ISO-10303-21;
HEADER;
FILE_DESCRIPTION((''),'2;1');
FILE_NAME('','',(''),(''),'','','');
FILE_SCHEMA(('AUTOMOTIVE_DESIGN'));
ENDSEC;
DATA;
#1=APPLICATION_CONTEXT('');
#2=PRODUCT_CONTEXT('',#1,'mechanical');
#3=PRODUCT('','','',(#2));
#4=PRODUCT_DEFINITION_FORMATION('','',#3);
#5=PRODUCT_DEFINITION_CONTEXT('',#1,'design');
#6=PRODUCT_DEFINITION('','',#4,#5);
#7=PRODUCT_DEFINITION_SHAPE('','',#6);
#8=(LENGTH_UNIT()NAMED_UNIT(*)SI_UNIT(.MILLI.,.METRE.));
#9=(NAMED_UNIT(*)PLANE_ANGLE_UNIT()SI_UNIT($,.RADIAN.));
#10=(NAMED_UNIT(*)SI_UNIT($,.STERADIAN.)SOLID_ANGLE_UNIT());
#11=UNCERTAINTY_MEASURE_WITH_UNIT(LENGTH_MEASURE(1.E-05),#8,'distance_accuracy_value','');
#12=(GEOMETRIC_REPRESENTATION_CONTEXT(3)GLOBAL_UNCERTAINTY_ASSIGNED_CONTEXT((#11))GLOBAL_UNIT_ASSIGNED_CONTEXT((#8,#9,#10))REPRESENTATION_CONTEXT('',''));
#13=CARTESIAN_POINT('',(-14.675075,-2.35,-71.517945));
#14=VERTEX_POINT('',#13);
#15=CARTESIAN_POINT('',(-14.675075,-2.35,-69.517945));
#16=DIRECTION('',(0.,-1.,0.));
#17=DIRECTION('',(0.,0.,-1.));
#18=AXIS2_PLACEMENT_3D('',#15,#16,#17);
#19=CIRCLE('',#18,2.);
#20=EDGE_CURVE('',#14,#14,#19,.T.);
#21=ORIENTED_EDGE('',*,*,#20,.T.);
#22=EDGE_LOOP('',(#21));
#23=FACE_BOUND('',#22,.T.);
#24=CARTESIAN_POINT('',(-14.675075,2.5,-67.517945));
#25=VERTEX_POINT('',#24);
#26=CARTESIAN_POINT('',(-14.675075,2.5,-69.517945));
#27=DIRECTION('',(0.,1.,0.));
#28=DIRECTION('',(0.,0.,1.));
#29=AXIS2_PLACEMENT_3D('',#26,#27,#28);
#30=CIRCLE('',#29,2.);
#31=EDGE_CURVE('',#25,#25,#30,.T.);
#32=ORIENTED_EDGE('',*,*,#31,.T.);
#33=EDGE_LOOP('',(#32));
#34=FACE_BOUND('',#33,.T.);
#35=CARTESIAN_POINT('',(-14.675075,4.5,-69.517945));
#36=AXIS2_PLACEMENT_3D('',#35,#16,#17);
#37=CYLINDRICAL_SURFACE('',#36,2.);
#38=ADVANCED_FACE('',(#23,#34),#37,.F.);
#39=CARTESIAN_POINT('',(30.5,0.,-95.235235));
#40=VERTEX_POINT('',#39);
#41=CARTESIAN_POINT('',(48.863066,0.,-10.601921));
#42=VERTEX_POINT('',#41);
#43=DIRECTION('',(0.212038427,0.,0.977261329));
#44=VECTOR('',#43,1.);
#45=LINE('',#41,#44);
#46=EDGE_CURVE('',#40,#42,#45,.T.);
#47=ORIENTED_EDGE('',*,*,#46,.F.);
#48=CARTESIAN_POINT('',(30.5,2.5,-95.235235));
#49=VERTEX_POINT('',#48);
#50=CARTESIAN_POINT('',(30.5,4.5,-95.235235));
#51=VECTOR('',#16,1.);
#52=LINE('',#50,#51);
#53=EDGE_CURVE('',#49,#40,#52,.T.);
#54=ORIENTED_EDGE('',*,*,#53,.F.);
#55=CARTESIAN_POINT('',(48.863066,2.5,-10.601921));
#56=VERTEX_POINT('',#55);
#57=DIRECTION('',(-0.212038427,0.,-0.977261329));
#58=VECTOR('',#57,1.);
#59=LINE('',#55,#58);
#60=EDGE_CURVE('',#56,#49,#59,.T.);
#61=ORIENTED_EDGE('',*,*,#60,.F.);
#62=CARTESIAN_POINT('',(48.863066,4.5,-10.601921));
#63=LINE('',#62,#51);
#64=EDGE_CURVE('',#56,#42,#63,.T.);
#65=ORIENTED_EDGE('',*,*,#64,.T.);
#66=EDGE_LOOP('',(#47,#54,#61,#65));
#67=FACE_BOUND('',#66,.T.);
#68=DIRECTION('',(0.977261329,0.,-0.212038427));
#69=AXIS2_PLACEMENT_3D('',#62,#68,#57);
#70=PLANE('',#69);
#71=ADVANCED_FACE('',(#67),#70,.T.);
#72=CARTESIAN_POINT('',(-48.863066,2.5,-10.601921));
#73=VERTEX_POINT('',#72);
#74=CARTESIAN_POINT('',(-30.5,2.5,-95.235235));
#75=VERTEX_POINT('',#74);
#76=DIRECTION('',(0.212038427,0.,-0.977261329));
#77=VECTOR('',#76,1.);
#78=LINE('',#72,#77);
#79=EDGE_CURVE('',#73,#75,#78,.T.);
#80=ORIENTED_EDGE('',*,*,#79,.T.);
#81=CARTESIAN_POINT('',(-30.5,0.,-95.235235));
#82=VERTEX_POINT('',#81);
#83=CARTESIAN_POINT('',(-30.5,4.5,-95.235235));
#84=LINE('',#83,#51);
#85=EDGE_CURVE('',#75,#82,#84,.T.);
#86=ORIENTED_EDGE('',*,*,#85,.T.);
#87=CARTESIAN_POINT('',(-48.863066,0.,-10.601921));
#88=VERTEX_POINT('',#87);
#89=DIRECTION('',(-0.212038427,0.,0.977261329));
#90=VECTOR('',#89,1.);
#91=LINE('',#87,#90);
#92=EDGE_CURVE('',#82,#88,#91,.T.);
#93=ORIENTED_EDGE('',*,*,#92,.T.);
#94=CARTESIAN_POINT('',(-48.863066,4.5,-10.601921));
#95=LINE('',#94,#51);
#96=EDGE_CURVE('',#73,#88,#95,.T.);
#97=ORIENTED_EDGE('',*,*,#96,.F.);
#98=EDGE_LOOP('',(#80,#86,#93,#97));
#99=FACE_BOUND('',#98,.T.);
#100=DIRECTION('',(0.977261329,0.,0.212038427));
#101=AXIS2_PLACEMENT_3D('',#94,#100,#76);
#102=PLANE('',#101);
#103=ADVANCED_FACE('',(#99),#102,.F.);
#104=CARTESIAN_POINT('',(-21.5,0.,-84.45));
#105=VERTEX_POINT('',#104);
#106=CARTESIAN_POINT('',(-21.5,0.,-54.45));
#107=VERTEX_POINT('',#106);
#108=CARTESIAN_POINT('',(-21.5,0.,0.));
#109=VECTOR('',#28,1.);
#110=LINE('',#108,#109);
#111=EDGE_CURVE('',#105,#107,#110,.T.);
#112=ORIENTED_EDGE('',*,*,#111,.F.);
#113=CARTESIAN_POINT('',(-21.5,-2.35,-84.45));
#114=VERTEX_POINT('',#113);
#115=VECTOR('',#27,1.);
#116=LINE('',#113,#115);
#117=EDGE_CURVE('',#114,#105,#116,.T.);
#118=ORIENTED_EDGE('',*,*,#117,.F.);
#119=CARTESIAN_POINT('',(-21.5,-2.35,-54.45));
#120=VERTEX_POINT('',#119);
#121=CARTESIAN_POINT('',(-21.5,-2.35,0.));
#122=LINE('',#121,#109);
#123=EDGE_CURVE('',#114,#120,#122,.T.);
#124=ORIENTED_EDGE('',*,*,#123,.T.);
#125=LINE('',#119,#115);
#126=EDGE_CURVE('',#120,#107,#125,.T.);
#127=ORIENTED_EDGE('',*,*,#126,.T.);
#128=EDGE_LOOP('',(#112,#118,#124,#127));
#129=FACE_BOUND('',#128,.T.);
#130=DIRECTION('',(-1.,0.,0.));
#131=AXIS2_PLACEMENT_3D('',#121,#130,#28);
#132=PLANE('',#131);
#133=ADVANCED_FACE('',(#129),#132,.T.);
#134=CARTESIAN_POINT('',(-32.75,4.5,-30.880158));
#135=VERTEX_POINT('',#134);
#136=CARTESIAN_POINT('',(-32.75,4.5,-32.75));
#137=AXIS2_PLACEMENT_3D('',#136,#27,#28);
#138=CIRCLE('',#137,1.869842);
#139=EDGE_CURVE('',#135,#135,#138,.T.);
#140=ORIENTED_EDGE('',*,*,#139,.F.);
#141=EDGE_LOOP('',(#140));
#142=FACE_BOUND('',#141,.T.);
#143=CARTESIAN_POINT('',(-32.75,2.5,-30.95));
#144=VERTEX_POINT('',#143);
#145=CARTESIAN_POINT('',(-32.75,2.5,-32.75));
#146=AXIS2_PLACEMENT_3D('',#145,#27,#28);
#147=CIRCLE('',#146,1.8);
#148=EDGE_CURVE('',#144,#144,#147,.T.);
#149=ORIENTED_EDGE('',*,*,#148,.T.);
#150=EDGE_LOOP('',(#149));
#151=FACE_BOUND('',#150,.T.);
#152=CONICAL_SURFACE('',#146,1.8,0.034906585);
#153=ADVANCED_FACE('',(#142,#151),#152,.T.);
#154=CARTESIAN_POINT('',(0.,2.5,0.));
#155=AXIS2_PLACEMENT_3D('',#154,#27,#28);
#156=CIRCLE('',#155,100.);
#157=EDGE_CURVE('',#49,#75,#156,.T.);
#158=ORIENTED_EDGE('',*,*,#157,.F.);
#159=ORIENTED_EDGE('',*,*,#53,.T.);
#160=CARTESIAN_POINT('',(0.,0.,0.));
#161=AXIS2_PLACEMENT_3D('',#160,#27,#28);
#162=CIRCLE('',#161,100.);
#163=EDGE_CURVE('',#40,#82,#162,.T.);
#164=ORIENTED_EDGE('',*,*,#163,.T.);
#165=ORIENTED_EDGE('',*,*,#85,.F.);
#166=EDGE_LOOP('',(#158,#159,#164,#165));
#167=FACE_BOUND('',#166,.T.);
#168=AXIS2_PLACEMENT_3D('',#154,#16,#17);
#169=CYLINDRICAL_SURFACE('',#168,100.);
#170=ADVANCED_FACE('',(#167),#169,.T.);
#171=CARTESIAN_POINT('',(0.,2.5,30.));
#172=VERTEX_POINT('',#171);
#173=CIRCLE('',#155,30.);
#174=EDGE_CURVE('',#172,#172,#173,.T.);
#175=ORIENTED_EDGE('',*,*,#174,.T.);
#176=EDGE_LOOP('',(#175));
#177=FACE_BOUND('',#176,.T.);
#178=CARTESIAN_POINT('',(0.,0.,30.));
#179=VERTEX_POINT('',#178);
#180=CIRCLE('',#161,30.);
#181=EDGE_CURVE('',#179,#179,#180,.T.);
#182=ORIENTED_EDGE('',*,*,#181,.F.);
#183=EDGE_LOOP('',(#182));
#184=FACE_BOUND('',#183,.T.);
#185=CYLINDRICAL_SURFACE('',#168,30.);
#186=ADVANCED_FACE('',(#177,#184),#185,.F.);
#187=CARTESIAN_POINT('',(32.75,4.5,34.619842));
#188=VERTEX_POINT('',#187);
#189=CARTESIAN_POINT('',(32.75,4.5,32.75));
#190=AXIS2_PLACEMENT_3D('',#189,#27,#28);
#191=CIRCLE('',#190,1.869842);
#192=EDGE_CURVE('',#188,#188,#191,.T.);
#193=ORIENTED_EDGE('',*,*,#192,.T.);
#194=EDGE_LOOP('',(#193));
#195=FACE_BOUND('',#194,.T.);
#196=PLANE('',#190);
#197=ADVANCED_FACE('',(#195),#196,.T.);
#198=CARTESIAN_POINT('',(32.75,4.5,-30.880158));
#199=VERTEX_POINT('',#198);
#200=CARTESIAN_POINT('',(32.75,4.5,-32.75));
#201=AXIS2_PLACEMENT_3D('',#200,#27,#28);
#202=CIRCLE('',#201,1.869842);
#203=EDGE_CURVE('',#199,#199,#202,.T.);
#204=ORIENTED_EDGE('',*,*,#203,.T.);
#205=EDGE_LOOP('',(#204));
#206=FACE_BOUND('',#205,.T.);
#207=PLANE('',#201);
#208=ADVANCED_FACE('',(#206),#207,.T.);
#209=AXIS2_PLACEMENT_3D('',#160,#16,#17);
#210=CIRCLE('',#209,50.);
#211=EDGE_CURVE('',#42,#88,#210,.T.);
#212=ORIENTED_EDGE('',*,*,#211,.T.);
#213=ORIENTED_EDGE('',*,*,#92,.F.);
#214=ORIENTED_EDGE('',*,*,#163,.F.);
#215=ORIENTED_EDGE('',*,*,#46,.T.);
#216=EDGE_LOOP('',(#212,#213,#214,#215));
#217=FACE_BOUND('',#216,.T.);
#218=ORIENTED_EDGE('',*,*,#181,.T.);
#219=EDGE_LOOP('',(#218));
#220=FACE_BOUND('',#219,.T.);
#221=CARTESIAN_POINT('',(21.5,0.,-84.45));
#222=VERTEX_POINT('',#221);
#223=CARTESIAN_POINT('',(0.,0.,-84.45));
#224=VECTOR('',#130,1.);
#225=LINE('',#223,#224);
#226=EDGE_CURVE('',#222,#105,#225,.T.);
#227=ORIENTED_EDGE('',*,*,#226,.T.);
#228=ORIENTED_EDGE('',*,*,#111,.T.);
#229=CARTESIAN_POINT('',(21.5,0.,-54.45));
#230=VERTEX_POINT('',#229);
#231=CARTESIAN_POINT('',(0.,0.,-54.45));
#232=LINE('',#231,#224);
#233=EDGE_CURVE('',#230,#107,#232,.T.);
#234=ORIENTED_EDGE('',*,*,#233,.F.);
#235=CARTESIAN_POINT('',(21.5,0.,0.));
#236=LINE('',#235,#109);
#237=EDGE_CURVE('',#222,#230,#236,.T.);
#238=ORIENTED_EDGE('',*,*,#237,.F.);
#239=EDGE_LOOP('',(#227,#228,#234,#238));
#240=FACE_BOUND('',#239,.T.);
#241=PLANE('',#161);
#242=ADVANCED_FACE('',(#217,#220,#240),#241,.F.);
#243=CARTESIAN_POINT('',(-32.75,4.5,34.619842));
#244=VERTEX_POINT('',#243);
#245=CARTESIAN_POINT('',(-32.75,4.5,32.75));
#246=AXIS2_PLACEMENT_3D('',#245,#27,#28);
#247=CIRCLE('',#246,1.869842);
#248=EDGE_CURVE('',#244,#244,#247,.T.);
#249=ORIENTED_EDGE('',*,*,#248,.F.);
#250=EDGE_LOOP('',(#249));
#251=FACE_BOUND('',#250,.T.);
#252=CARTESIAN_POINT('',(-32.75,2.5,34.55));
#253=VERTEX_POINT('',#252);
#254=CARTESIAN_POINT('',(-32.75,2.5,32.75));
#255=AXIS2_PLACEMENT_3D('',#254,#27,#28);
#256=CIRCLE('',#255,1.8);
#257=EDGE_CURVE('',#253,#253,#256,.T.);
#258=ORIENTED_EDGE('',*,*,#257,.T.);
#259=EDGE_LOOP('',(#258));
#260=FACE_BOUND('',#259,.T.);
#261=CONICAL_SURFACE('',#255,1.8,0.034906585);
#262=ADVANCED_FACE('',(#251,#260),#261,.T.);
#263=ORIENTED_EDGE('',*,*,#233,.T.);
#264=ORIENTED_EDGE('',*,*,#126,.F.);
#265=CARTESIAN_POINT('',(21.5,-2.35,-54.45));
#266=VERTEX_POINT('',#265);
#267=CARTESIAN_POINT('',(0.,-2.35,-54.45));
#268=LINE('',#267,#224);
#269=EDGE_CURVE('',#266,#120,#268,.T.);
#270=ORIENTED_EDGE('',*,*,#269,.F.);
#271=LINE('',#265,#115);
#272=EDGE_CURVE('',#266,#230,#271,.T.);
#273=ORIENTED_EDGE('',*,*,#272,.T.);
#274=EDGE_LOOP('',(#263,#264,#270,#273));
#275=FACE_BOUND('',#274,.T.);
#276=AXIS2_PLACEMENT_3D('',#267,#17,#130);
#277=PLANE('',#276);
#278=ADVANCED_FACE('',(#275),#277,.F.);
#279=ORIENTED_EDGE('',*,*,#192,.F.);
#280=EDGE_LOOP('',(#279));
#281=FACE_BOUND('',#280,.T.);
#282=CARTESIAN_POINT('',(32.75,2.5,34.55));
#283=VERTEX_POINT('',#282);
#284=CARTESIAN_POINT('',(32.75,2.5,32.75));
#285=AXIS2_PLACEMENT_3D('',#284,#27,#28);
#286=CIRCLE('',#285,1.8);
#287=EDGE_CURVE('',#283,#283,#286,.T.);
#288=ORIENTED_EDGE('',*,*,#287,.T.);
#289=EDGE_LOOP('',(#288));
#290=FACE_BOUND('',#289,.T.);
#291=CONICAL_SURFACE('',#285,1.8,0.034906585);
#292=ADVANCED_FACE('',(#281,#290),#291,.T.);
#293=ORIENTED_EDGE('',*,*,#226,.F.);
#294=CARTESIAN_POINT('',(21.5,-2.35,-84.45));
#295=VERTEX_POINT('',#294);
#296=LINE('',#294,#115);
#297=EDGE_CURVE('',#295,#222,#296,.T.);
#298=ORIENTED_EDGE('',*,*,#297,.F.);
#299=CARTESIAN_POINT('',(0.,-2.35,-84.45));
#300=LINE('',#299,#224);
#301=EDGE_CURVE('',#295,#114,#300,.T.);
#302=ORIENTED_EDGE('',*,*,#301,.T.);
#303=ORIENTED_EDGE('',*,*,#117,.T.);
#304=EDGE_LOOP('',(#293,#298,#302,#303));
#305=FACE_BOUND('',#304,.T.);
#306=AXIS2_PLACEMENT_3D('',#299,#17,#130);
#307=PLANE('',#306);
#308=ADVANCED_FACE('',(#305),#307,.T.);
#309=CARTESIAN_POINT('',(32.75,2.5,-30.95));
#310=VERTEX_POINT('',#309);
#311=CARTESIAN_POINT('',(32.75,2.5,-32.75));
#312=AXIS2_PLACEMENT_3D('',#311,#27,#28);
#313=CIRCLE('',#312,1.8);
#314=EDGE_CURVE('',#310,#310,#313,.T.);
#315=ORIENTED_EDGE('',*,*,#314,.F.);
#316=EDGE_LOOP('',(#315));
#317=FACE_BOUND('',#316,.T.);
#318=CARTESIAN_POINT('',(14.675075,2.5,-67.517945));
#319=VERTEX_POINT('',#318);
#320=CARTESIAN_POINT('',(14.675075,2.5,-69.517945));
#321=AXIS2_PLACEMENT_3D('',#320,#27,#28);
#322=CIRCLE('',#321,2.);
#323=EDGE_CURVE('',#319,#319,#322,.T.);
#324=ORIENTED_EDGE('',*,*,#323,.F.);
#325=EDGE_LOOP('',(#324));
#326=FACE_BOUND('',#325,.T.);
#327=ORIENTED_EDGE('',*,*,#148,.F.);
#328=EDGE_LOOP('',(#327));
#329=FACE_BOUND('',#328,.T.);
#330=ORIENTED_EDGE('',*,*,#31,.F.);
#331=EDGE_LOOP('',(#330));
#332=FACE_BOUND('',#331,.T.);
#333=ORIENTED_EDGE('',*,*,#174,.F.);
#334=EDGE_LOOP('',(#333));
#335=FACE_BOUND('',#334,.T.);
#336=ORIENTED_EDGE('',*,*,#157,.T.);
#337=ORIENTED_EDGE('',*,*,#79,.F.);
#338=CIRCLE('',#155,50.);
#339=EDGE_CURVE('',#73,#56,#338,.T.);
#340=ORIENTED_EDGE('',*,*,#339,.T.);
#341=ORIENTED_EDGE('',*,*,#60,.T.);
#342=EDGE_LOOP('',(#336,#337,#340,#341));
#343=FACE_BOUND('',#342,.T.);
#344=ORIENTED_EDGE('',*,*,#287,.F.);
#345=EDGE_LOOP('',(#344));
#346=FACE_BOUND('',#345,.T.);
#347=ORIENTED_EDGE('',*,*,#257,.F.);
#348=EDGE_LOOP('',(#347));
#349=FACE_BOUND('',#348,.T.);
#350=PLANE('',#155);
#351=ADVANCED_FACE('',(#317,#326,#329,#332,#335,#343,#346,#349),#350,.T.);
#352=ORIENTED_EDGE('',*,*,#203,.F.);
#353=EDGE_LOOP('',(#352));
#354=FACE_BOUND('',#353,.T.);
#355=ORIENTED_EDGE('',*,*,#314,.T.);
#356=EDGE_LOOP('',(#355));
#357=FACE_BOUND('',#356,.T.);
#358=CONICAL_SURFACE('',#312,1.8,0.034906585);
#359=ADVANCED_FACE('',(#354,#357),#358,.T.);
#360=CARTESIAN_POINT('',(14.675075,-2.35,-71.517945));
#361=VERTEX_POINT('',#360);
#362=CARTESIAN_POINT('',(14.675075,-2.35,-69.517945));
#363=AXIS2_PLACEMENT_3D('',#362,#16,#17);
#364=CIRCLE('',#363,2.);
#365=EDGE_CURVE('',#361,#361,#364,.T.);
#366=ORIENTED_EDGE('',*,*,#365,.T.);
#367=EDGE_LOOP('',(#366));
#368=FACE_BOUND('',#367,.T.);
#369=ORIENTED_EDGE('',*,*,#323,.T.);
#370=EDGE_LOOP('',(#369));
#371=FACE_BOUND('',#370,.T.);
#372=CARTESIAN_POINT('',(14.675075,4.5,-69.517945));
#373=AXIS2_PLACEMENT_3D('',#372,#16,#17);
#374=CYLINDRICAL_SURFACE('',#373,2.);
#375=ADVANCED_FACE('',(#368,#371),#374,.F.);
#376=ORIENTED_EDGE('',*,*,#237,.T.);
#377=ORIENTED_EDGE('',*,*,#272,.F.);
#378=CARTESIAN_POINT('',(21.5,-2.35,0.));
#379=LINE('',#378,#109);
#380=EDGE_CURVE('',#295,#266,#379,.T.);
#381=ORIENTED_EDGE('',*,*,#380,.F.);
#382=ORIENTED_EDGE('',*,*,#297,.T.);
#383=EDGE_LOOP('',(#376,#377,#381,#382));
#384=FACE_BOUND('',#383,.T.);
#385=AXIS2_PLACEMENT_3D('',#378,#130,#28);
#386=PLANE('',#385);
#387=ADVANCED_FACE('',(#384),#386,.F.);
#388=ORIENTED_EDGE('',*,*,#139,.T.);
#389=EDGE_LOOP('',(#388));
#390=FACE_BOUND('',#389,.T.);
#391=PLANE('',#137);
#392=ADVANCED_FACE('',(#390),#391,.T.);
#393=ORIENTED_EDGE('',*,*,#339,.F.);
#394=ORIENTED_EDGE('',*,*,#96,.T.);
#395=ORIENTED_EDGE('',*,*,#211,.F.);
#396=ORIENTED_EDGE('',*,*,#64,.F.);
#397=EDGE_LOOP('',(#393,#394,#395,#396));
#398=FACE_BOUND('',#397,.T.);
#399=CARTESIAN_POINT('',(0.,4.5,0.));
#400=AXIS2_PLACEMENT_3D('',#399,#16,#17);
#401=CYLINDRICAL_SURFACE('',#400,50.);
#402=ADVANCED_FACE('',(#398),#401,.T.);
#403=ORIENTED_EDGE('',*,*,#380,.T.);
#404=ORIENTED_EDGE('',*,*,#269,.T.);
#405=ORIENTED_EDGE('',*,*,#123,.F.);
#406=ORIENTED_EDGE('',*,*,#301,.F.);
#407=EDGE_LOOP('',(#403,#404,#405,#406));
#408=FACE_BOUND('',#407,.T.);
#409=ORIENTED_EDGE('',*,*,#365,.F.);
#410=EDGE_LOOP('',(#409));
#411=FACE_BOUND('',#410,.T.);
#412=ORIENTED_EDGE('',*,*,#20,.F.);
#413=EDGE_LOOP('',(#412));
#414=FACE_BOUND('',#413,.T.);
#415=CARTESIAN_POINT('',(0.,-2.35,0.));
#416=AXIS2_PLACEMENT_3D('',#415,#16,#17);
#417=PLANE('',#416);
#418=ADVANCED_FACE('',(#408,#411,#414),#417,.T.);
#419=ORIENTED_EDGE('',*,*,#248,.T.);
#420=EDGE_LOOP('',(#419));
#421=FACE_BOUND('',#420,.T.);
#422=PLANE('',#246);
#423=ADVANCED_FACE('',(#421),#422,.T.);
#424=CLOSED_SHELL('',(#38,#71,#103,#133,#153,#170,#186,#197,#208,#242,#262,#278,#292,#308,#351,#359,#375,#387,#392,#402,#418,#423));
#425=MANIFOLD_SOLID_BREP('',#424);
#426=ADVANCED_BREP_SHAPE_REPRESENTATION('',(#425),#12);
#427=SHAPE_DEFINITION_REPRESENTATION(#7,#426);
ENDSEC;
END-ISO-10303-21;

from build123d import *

# Parameters (mm, degrees)
SKETCH1_R                     = 100
SKETCH1_R_2                   = 30
BOSS_EXTRUDE1_DEPTH           = 2.5
SKETCH2_R                     = 1.8
BOSS_EXTRUDE2_DEPTH           = 2
BOSS_EXTRUDE2_DRAFT           = -2
BOSS_EXTRUDE2_PROFILE_2_DEPTH = 2
BOSS_EXTRUDE2_PROFILE_2_DRAFT = -2
BOSS_EXTRUDE2_PROFILE_3_DEPTH = 2
BOSS_EXTRUDE2_PROFILE_3_DRAFT = -2
BOSS_EXTRUDE2_PROFILE_4_DEPTH = 2
BOSS_EXTRUDE2_PROFILE_4_DRAFT = -2
SKETCH5_W                     = 43
SKETCH5_H                     = 30
BOSS_EXTRUDE4_DEPTH           = 2.35
CUT_EXTRUDE1_DEPTH            = 142.492932686
CUT_EXTRUDE1_DEPTH_BACK       = 142.492932686
SKETCH4_R                     = 2
CUT_EXTRUDE2_DEPTH            = 142.492932686


with BuildPart() as part:
    # Sketch1 → Boss-Extrude1 (new body)
    with BuildSketch(Plane(origin=(0, 0, 0), x_dir=(1, 0, 0), z_dir=(0, 1, 0))):
        with Locations(Location((0, 0, 0), (0, 0, 270))):
            Circle(SKETCH1_R)
        with Locations(Location((0, 0, 0), (0, 0, 270))):
            Circle(SKETCH1_R_2, mode=Mode.SUBTRACT)
    extrude(amount=BOSS_EXTRUDE1_DEPTH)


with BuildPart() as boss_extrude2_tool:
    # Sketch2 → Boss-Extrude2 (with draft: the straight prism first)
    with BuildSketch(Plane(origin=(0, 2.5, 0), x_dir=(1, 0, 0), z_dir=(0, 1, 0))):
        with Locations((-32.75, 32.75)):
            Circle(SKETCH2_R)
    extrude(amount=BOSS_EXTRUDE2_DEPTH)
    # Boss-Extrude2: the draft: its side faces are tilted about the plane it starts from
    boss_extrude2_sides = [boss_extrude2_tool.faces().sort_by_distance(p)[0] for p in [
        (-34.55, 3.5, -32.75),
    ]]
    draft(boss_extrude2_sides, Plane(origin=(0, 2.5, 0), x_dir=(1, 0, 0), z_dir=(0, 1, 0)), BOSS_EXTRUDE2_DRAFT)


with BuildPart() as part_1:
    add(part.part)

    # Boss-Extrude2: add boss_extrude2_tool
    add(boss_extrude2_tool.part)


with BuildPart() as boss_extrude2_profile_2_tool:
    # Sketch2 → Boss-Extrude2 profile 2 (with draft: the straight prism first)
    with BuildSketch(Plane(origin=(0, 2.5, 0), x_dir=(1, 0, 0), z_dir=(0, 1, 0))):
        with Locations((-32.75, -32.75)):
            Circle(SKETCH2_R)
    extrude(amount=BOSS_EXTRUDE2_PROFILE_2_DEPTH)
    # Boss-Extrude2 profile 2: the draft: its side faces are tilted about the plane it starts from
    boss_extrude2_profile_2_sides = [boss_extrude2_profile_2_tool.faces().sort_by_distance(p)[0] for p in [
        (-34.55, 3.5, 32.75),
    ]]
    draft(boss_extrude2_profile_2_sides, Plane(origin=(0, 2.5, 0), x_dir=(1, 0, 0), z_dir=(0, 1, 0)), BOSS_EXTRUDE2_PROFILE_2_DRAFT)


with BuildPart() as part_2:
    add(part_1.part)

    # Boss-Extrude2 profile 2: add boss_extrude2_profile_2_tool
    add(boss_extrude2_profile_2_tool.part)


with BuildPart() as boss_extrude2_profile_3_tool:
    # Sketch2 → Boss-Extrude2 profile 3 (with draft: the straight prism first)
    with BuildSketch(Plane(origin=(0, 2.5, 0), x_dir=(1, 0, 0), z_dir=(0, 1, 0))):
        with Locations((32.75, -32.75)):
            Circle(SKETCH2_R)
    extrude(amount=BOSS_EXTRUDE2_PROFILE_3_DEPTH)
    # Boss-Extrude2 profile 3: the draft: its side faces are tilted about the plane it starts from
    boss_extrude2_profile_3_sides = [boss_extrude2_profile_3_tool.faces().sort_by_distance(p)[0] for p in [
        (30.95, 3.5, 32.75),
    ]]
    draft(boss_extrude2_profile_3_sides, Plane(origin=(0, 2.5, 0), x_dir=(1, 0, 0), z_dir=(0, 1, 0)), BOSS_EXTRUDE2_PROFILE_3_DRAFT)


with BuildPart() as part_3:
    add(part_2.part)

    # Boss-Extrude2 profile 3: add boss_extrude2_profile_3_tool
    add(boss_extrude2_profile_3_tool.part)


with BuildPart() as boss_extrude2_profile_4_tool:
    # Sketch2 → Boss-Extrude2 profile 4 (with draft: the straight prism first)
    with BuildSketch(Plane(origin=(0, 2.5, 0), x_dir=(1, 0, 0), z_dir=(0, 1, 0))):
        with Locations((32.75, 32.75)):
            Circle(SKETCH2_R)
    extrude(amount=BOSS_EXTRUDE2_PROFILE_4_DEPTH)
    # Boss-Extrude2 profile 4: the draft: its side faces are tilted about the plane it starts from
    boss_extrude2_profile_4_sides = [boss_extrude2_profile_4_tool.faces().sort_by_distance(p)[0] for p in [
        (30.95, 3.5, -32.75),
    ]]
    draft(boss_extrude2_profile_4_sides, Plane(origin=(0, 2.5, 0), x_dir=(1, 0, 0), z_dir=(0, 1, 0)), BOSS_EXTRUDE2_PROFILE_4_DRAFT)


with BuildPart() as part_4:
    add(part_3.part)

    # Boss-Extrude2 profile 4: add boss_extrude2_profile_4_tool
    add(boss_extrude2_profile_4_tool.part)

    # Sketch5 → Boss-Extrude4 (add)
    with BuildSketch(Plane.XZ):
        with Locations((0, -69.45)):
            Rectangle(SKETCH5_W, SKETCH5_H)
    extrude(amount=BOSS_EXTRUDE4_DEPTH)

    # Sketch4 → Cut-Extrude1 (cut, two sides: drawn at the far end of the back side and taken through both)
    with BuildSketch(Plane.XZ.offset(-CUT_EXTRUDE1_DEPTH_BACK)):
        with Locations(Location((-14.675074607, -69.517945059, 0), (0, 0, 270))):
            Circle(SKETCH4_R)
        with Locations(Location((14.675074607, -69.517945059, 0), (0, 0, 270))):
            Circle(SKETCH4_R)
    extrude(amount=CUT_EXTRUDE1_DEPTH + CUT_EXTRUDE1_DEPTH_BACK, mode=Mode.SUBTRACT)

    # Sketch6 → Cut-Extrude2 (cut, through all)
    with BuildSketch(Plane.XZ):
        with BuildLine():
            Line((48.863066456, -10.601921361), (30.5, -95.235235076))
            ThreePointArc((30.5, -95.235235076), (80.777472107, -58.949130613), (100, 0))
            ThreePointArc((100, 0), (-58.949130613, 80.777472107), (-30.5, -95.235235076))
            Line((-30.5, -95.235235076), (-48.863066456, -10.601921361))
            ThreePointArc((-48.863066456, -10.601921361), (-5.331354294, 49.714954102), (50, 0))
            ThreePointArc((50, 0), (49.714954102, -5.331354294), (48.863066456, -10.601921361))
        make_face()
    extrude(amount=-CUT_EXTRUDE2_DEPTH, mode=Mode.SUBTRACT)


solid = part_4.part
